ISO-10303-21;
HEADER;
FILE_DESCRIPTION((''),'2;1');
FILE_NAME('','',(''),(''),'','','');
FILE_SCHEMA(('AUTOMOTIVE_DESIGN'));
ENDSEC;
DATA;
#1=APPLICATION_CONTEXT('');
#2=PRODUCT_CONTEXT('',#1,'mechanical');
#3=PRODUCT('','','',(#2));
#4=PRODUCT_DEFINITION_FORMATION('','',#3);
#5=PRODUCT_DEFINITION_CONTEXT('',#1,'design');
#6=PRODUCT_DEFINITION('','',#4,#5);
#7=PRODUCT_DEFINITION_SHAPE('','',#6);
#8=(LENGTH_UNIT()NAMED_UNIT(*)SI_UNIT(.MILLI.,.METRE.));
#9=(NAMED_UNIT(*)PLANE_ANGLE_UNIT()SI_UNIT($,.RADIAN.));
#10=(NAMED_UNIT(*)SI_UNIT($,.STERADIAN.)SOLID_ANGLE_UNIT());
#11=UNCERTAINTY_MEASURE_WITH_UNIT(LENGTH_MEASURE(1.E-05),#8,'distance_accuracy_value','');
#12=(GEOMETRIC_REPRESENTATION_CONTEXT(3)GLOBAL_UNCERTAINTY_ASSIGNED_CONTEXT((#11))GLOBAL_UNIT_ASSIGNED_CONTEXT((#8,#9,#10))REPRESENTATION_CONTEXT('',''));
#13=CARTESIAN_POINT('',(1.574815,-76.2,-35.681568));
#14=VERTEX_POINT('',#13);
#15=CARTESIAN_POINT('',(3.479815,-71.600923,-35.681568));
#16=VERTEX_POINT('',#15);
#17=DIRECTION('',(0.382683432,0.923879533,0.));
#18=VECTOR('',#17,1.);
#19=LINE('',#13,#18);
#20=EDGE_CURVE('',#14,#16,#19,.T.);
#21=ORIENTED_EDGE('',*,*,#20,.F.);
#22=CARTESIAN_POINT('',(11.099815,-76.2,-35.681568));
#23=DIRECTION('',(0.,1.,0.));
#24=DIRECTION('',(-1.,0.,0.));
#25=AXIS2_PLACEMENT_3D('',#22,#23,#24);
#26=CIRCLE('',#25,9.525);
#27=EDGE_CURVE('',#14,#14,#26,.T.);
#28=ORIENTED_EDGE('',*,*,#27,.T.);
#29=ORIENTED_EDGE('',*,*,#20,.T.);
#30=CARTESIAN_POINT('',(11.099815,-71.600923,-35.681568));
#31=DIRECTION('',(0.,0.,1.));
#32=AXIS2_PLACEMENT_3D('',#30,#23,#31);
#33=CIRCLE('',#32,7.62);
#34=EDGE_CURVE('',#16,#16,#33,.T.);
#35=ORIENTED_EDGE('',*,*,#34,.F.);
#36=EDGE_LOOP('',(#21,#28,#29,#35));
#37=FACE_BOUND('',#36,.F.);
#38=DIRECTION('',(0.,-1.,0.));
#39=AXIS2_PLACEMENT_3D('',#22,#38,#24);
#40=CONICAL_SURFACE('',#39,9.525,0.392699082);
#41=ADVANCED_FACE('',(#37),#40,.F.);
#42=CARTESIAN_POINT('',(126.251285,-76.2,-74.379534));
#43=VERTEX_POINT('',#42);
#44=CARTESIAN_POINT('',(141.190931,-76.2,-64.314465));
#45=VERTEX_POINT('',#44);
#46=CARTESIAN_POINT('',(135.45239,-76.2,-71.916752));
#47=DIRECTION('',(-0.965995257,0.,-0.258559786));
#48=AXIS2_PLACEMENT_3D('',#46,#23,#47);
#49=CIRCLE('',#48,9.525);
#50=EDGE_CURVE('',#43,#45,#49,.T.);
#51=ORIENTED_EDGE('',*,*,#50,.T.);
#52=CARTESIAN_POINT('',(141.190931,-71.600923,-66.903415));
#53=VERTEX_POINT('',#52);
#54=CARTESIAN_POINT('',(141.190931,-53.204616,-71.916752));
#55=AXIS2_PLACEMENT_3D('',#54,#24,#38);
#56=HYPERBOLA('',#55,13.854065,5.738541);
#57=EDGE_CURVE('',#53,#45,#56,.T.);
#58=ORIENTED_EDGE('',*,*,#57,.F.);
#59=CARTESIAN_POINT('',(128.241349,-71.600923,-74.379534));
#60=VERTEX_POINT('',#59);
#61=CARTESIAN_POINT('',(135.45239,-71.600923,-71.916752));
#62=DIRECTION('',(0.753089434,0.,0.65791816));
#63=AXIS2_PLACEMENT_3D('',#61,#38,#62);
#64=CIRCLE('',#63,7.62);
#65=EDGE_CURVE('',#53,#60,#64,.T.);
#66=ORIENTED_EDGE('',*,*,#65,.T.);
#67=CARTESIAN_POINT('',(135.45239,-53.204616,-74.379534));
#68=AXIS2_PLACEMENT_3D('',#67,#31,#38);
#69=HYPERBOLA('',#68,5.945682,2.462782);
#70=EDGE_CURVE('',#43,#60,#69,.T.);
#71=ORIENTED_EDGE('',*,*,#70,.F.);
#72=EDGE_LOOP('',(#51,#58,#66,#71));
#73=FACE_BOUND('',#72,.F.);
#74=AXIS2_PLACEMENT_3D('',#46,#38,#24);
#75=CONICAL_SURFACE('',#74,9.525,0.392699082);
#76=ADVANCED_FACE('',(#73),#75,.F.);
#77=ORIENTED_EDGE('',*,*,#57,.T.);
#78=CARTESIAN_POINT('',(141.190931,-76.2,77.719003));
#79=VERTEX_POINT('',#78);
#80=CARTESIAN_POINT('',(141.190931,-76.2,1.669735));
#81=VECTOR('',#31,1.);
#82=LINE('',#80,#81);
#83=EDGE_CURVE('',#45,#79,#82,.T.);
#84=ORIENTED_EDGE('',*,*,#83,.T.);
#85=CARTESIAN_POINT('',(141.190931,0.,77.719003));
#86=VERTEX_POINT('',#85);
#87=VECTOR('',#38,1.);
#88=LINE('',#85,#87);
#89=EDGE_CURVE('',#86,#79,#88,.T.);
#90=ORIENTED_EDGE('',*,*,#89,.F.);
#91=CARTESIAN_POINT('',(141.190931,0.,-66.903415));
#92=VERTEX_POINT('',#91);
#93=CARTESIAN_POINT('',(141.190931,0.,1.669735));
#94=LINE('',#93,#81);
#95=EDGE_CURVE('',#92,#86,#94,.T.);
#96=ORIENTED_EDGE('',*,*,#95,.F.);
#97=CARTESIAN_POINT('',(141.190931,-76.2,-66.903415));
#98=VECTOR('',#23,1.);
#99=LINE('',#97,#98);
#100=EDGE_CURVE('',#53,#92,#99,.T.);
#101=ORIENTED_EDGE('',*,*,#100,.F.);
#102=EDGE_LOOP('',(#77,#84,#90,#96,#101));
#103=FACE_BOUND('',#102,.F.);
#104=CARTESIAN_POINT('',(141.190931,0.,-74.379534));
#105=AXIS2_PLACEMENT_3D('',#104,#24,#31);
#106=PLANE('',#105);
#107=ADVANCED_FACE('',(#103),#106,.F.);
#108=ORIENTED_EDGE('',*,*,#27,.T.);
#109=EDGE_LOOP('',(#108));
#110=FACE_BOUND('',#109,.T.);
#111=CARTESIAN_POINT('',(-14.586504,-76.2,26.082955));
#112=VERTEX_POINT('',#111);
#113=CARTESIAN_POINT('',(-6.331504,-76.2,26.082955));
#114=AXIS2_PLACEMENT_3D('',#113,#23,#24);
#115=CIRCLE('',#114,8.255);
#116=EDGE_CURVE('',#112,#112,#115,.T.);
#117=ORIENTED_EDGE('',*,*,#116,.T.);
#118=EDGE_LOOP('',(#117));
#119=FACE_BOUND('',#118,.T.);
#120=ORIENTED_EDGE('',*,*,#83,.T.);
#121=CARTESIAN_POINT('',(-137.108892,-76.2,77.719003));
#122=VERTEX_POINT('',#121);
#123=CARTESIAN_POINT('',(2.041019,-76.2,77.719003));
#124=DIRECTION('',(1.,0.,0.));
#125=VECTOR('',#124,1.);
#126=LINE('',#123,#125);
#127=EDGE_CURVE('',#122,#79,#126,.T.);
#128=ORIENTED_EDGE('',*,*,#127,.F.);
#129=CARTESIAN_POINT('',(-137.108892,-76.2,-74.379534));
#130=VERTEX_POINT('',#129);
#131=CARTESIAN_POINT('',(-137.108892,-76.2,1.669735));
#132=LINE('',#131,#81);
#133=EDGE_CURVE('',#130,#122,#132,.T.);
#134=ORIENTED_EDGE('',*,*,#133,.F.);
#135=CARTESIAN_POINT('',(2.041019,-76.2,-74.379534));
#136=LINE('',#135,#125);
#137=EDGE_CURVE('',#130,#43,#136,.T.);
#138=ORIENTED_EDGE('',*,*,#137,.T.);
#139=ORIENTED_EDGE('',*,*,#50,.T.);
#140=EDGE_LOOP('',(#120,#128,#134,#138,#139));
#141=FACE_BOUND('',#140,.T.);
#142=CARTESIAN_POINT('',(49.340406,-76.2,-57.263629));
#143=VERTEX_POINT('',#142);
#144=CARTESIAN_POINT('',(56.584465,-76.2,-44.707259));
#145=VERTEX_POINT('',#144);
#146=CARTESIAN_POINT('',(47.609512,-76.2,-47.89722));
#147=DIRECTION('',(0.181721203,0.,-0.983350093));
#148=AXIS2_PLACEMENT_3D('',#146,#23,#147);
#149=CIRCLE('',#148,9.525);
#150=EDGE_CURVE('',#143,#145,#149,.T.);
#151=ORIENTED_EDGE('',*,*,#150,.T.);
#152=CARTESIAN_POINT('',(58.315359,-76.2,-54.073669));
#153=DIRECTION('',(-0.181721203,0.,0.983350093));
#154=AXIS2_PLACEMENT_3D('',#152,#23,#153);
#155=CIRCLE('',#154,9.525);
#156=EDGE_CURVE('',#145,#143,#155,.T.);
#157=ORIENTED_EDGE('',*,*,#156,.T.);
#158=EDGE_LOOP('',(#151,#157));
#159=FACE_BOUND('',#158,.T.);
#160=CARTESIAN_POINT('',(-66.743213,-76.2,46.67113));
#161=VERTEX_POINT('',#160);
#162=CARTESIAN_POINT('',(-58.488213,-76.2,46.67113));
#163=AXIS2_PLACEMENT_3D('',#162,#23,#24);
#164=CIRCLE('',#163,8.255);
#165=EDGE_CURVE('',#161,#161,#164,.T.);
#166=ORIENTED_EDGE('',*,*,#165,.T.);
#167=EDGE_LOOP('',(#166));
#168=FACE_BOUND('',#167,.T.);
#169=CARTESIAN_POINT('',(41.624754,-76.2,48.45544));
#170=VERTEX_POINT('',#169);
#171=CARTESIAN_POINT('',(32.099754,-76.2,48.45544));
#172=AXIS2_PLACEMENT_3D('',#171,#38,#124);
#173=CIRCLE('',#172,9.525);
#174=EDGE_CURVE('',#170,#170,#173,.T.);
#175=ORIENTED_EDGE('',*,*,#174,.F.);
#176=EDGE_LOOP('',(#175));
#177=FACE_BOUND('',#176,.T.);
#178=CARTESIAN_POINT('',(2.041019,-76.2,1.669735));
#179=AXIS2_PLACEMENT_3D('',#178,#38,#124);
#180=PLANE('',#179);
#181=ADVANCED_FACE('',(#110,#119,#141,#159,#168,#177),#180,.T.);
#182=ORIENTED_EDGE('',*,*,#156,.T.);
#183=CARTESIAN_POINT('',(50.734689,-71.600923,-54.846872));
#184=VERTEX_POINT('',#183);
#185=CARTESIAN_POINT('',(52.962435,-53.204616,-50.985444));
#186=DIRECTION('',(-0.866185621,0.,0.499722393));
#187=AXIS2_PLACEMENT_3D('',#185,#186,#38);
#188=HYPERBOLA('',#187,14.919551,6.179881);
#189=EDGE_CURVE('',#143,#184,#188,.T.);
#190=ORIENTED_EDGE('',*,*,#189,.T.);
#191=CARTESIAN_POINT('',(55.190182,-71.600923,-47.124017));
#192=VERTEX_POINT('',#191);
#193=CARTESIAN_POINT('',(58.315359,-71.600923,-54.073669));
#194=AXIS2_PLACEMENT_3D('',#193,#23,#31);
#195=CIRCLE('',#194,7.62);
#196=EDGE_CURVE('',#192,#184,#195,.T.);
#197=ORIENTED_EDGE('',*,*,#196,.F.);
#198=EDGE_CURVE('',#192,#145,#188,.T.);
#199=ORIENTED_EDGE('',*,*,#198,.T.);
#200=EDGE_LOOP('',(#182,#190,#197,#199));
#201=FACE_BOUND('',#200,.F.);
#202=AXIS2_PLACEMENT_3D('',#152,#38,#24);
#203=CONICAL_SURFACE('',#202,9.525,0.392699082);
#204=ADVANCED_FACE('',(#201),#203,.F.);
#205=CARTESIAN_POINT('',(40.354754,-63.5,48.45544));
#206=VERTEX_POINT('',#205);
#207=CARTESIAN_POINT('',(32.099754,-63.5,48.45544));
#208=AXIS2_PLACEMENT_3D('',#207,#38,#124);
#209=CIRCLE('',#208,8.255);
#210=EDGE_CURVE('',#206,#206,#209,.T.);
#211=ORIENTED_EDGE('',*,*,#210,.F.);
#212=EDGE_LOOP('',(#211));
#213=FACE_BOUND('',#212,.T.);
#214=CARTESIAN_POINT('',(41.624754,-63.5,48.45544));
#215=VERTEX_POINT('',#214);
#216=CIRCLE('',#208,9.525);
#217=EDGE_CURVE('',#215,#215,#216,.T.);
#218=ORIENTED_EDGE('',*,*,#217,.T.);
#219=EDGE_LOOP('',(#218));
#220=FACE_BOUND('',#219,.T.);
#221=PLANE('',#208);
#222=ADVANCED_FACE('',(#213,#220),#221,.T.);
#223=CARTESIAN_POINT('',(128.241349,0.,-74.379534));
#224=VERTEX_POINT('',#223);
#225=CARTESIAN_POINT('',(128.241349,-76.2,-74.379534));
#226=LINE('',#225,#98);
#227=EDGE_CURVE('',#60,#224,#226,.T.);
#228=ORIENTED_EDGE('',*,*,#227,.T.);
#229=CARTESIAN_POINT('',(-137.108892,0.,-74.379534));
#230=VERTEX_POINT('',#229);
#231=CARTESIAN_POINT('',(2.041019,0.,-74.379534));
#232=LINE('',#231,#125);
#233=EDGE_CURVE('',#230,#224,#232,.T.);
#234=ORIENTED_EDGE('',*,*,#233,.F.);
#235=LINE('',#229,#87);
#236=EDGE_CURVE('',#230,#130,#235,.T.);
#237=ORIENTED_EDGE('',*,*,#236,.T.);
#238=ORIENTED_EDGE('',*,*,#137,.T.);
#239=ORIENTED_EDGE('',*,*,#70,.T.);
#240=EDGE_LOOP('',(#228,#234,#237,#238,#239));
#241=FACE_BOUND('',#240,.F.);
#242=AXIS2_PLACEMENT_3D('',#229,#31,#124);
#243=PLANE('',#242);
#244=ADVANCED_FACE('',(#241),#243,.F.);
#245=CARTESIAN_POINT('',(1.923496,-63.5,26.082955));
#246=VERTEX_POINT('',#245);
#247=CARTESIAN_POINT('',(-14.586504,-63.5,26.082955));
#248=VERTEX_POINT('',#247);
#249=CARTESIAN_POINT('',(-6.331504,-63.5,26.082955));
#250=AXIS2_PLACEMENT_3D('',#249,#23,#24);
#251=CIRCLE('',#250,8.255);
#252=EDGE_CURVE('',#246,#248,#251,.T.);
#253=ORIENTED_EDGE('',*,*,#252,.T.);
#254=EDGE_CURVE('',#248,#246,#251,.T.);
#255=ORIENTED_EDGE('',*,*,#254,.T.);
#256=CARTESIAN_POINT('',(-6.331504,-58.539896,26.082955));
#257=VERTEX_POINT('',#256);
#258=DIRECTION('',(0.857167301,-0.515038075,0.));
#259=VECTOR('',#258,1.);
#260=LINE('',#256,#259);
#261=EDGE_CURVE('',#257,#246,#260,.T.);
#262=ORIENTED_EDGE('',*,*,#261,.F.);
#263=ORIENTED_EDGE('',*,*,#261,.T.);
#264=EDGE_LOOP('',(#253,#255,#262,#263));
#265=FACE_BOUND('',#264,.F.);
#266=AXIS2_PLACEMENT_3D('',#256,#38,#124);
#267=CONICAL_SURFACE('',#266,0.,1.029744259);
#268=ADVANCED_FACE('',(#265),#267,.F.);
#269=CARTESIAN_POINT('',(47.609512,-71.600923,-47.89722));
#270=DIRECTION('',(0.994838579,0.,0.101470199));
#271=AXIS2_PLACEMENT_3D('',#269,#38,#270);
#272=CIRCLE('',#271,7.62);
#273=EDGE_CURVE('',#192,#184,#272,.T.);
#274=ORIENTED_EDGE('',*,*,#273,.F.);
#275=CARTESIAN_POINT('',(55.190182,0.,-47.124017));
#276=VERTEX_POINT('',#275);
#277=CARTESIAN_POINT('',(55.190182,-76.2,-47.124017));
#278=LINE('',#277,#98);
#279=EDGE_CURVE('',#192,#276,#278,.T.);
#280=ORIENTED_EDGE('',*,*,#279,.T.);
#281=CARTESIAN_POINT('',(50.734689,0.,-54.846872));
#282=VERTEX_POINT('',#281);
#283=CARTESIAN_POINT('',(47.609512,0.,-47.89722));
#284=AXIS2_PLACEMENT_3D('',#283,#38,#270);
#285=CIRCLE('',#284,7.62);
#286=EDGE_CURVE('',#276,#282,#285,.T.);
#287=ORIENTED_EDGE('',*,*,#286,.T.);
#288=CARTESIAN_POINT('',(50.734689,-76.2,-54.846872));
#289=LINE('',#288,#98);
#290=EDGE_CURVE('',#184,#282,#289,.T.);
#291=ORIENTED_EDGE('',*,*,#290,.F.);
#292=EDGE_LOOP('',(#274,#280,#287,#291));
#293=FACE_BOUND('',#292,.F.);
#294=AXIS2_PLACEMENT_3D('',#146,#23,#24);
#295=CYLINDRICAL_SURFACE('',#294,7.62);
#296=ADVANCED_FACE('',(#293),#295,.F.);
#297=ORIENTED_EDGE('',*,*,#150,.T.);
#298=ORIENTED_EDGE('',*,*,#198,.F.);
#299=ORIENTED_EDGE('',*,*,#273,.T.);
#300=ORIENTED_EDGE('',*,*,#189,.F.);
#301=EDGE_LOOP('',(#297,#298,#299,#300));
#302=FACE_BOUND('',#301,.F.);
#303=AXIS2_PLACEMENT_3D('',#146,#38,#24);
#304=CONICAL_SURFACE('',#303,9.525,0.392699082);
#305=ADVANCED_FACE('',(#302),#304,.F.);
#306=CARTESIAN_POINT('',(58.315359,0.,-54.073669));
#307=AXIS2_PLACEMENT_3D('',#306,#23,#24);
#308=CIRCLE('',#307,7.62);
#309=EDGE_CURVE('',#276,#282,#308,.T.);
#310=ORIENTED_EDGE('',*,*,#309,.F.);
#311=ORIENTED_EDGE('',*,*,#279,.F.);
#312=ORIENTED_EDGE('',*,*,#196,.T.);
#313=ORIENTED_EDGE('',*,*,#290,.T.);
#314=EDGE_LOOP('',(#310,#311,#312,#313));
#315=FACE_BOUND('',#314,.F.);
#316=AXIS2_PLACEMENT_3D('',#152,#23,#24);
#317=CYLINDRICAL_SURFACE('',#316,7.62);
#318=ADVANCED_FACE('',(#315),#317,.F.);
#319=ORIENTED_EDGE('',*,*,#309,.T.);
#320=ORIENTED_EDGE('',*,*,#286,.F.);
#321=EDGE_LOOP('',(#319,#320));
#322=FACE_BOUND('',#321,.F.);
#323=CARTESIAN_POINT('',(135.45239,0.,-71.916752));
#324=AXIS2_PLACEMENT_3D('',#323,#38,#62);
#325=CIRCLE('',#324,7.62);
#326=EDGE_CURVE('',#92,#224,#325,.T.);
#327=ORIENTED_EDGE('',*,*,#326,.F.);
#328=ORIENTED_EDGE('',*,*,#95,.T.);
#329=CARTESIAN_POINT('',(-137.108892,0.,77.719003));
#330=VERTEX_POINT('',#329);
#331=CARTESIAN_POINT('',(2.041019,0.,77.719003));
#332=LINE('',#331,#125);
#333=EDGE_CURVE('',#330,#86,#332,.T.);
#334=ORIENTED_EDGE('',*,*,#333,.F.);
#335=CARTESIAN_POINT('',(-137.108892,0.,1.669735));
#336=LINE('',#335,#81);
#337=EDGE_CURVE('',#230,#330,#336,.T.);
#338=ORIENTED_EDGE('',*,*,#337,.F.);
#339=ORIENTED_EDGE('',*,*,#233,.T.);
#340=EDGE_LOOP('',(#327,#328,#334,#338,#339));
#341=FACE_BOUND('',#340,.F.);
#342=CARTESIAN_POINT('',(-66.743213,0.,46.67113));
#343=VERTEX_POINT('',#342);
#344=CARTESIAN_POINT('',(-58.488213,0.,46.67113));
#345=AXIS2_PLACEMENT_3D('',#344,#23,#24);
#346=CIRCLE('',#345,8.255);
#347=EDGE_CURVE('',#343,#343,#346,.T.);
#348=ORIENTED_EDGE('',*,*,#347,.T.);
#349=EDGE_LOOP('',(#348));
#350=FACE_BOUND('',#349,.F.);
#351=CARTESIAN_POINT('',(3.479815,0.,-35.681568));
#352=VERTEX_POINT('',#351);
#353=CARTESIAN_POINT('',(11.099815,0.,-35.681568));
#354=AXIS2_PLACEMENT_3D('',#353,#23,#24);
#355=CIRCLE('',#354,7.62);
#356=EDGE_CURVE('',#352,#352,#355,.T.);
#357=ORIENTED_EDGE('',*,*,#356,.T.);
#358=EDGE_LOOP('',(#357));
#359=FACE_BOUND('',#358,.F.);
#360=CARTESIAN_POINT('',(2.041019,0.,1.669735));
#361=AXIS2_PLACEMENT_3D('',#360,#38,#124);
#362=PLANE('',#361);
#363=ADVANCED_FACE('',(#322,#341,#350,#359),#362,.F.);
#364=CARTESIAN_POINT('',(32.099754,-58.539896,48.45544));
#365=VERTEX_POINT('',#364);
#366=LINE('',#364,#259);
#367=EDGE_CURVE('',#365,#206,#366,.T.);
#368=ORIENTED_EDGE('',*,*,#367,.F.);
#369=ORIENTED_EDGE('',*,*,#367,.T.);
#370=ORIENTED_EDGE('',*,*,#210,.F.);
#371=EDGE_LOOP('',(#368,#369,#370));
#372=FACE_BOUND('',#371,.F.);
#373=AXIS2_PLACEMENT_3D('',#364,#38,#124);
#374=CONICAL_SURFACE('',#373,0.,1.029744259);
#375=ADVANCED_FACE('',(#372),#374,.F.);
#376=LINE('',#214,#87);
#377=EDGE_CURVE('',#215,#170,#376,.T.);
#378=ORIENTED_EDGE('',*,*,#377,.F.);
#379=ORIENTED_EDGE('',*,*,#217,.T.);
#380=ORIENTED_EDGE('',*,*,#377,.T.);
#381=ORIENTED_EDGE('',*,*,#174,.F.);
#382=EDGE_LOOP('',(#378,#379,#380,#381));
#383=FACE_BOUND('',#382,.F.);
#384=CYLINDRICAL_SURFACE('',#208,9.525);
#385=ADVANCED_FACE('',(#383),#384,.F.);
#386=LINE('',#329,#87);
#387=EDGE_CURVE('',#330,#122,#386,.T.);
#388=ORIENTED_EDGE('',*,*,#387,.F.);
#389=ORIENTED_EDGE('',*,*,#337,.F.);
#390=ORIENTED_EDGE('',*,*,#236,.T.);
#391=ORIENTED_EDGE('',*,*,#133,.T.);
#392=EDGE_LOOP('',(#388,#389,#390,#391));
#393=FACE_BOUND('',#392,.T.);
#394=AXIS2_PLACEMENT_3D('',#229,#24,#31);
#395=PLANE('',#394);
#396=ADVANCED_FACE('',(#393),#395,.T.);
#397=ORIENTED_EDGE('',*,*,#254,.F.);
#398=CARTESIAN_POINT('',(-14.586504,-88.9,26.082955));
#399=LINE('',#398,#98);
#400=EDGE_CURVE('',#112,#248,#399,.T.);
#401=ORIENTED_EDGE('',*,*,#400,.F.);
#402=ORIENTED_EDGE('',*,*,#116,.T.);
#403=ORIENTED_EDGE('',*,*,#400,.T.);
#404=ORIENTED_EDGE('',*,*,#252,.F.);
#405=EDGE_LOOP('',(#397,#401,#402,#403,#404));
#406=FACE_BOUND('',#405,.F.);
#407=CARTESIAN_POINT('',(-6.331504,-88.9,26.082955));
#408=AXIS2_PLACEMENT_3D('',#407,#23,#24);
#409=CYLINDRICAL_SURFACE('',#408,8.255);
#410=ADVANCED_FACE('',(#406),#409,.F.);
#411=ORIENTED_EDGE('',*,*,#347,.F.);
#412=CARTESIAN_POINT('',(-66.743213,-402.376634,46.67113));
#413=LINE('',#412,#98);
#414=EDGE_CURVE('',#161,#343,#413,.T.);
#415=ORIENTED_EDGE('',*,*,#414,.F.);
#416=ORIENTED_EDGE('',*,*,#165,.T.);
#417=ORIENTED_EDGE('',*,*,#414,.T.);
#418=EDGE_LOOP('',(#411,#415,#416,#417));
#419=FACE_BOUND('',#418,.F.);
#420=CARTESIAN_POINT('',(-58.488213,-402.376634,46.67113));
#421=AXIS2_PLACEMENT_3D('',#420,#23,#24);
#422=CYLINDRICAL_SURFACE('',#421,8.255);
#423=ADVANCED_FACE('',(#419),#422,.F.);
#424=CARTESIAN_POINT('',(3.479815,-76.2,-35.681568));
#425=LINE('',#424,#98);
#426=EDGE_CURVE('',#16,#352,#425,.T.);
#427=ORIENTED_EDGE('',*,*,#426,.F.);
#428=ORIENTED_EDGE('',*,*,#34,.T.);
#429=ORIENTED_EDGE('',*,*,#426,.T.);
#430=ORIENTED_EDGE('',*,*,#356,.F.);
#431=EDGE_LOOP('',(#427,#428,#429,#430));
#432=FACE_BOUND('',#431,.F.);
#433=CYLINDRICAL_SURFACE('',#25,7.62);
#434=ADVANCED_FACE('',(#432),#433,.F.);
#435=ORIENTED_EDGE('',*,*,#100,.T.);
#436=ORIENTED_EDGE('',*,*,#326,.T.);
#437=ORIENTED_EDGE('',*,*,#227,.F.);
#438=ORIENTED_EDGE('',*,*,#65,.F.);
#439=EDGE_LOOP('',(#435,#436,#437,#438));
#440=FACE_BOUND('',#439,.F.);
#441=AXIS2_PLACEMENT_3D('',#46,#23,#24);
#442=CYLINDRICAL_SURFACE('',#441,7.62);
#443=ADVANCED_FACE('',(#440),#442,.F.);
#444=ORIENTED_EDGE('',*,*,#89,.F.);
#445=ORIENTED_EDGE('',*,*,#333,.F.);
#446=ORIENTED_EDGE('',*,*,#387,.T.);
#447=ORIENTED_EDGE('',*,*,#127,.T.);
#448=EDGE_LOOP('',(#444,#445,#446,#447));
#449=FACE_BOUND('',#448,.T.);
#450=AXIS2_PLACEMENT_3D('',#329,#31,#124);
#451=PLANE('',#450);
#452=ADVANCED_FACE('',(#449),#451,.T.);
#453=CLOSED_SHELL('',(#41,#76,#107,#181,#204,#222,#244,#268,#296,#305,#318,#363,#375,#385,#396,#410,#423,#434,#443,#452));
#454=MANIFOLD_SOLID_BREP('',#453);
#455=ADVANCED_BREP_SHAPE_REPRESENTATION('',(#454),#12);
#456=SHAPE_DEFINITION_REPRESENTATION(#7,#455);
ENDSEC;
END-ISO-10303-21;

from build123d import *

# Parameters (mm, degrees)
F0_W           = 278.2998234034
F0_H           = 152.0985364914
F1_DEPTH       = 76.2
F3_D           = 16.51
F4_D           = 16.51
F4_DEPTH       = 12.7
F4_TIP         = 4.9601044101
F5_D           = 16.51
F5_DEPTH       = 12.7
F5_CBORE_D     = 19.05
F5_CBORE_DEPTH = 12.7
F5_TIP         = 4.9601044101
F6_D           = 15.24
F6_CSINK_D     = 19.05
F6_CSINK_ANGLE = 45
F7_D           = 15.24
F7_CSINK_D     = 19.05
F7_CSINK_ANGLE = 45


with BuildPart() as f1:
    # F0 (on Front) → F1 (new body)
    with BuildSketch(Plane.XZ):
        with Locations((2.0410194993, 1.6697347164)):
            Rectangle(F0_W, F0_H)
    extrude(amount=F1_DEPTH)

    # F3 (through all)
    with Locations(Plane.XZ.offset(76.2)):
        with Locations((-58.4882125258, 46.6711297631)):
            Hole(F3_D / 2)

    # F4
    with Locations(Plane.XZ.offset(76.2)):
        with Locations((-6.3315038569, 26.0829553008)):
            Hole(F4_D / 2, depth=F4_DEPTH)
            with Locations((0, 0, -(F4_DEPTH + F4_TIP / 2))):  # 118° drill point
                Cone(0, F4_D / 2, F4_TIP, mode=Mode.SUBTRACT)

    # F5
    with Locations(Plane.XZ.offset(76.2)):
        with Locations((32.0997536182, 48.455439508)):
            CounterBoreHole(F5_D / 2, F5_CBORE_D / 2, F5_CBORE_DEPTH, depth=F5_DEPTH)
            with Locations((0, 0, -(F5_DEPTH + F5_TIP / 2))):  # 118° drill point
                Cone(0, F5_D / 2, F5_TIP, mode=Mode.SUBTRACT)

    # F6 (through all)
    with Locations(Plane.XZ.offset(76.2)):
        with Locations((11.0998153687, -35.6815680861)):
            CounterSinkHole(F6_D / 2, F6_CSINK_D / 2, counter_sink_angle=F6_CSINK_ANGLE)

    # F7 (through all)
    with Locations(Plane.XZ.offset(76.2)):
        with Locations((135.4523897171, -71.9167515635), (47.6095117629, -47.8972196579), (58.315359056, -54.0736690164)):
            CounterSinkHole(F7_D / 2, F7_CSINK_D / 2, counter_sink_angle=F7_CSINK_ANGLE)


solid = f1.part
